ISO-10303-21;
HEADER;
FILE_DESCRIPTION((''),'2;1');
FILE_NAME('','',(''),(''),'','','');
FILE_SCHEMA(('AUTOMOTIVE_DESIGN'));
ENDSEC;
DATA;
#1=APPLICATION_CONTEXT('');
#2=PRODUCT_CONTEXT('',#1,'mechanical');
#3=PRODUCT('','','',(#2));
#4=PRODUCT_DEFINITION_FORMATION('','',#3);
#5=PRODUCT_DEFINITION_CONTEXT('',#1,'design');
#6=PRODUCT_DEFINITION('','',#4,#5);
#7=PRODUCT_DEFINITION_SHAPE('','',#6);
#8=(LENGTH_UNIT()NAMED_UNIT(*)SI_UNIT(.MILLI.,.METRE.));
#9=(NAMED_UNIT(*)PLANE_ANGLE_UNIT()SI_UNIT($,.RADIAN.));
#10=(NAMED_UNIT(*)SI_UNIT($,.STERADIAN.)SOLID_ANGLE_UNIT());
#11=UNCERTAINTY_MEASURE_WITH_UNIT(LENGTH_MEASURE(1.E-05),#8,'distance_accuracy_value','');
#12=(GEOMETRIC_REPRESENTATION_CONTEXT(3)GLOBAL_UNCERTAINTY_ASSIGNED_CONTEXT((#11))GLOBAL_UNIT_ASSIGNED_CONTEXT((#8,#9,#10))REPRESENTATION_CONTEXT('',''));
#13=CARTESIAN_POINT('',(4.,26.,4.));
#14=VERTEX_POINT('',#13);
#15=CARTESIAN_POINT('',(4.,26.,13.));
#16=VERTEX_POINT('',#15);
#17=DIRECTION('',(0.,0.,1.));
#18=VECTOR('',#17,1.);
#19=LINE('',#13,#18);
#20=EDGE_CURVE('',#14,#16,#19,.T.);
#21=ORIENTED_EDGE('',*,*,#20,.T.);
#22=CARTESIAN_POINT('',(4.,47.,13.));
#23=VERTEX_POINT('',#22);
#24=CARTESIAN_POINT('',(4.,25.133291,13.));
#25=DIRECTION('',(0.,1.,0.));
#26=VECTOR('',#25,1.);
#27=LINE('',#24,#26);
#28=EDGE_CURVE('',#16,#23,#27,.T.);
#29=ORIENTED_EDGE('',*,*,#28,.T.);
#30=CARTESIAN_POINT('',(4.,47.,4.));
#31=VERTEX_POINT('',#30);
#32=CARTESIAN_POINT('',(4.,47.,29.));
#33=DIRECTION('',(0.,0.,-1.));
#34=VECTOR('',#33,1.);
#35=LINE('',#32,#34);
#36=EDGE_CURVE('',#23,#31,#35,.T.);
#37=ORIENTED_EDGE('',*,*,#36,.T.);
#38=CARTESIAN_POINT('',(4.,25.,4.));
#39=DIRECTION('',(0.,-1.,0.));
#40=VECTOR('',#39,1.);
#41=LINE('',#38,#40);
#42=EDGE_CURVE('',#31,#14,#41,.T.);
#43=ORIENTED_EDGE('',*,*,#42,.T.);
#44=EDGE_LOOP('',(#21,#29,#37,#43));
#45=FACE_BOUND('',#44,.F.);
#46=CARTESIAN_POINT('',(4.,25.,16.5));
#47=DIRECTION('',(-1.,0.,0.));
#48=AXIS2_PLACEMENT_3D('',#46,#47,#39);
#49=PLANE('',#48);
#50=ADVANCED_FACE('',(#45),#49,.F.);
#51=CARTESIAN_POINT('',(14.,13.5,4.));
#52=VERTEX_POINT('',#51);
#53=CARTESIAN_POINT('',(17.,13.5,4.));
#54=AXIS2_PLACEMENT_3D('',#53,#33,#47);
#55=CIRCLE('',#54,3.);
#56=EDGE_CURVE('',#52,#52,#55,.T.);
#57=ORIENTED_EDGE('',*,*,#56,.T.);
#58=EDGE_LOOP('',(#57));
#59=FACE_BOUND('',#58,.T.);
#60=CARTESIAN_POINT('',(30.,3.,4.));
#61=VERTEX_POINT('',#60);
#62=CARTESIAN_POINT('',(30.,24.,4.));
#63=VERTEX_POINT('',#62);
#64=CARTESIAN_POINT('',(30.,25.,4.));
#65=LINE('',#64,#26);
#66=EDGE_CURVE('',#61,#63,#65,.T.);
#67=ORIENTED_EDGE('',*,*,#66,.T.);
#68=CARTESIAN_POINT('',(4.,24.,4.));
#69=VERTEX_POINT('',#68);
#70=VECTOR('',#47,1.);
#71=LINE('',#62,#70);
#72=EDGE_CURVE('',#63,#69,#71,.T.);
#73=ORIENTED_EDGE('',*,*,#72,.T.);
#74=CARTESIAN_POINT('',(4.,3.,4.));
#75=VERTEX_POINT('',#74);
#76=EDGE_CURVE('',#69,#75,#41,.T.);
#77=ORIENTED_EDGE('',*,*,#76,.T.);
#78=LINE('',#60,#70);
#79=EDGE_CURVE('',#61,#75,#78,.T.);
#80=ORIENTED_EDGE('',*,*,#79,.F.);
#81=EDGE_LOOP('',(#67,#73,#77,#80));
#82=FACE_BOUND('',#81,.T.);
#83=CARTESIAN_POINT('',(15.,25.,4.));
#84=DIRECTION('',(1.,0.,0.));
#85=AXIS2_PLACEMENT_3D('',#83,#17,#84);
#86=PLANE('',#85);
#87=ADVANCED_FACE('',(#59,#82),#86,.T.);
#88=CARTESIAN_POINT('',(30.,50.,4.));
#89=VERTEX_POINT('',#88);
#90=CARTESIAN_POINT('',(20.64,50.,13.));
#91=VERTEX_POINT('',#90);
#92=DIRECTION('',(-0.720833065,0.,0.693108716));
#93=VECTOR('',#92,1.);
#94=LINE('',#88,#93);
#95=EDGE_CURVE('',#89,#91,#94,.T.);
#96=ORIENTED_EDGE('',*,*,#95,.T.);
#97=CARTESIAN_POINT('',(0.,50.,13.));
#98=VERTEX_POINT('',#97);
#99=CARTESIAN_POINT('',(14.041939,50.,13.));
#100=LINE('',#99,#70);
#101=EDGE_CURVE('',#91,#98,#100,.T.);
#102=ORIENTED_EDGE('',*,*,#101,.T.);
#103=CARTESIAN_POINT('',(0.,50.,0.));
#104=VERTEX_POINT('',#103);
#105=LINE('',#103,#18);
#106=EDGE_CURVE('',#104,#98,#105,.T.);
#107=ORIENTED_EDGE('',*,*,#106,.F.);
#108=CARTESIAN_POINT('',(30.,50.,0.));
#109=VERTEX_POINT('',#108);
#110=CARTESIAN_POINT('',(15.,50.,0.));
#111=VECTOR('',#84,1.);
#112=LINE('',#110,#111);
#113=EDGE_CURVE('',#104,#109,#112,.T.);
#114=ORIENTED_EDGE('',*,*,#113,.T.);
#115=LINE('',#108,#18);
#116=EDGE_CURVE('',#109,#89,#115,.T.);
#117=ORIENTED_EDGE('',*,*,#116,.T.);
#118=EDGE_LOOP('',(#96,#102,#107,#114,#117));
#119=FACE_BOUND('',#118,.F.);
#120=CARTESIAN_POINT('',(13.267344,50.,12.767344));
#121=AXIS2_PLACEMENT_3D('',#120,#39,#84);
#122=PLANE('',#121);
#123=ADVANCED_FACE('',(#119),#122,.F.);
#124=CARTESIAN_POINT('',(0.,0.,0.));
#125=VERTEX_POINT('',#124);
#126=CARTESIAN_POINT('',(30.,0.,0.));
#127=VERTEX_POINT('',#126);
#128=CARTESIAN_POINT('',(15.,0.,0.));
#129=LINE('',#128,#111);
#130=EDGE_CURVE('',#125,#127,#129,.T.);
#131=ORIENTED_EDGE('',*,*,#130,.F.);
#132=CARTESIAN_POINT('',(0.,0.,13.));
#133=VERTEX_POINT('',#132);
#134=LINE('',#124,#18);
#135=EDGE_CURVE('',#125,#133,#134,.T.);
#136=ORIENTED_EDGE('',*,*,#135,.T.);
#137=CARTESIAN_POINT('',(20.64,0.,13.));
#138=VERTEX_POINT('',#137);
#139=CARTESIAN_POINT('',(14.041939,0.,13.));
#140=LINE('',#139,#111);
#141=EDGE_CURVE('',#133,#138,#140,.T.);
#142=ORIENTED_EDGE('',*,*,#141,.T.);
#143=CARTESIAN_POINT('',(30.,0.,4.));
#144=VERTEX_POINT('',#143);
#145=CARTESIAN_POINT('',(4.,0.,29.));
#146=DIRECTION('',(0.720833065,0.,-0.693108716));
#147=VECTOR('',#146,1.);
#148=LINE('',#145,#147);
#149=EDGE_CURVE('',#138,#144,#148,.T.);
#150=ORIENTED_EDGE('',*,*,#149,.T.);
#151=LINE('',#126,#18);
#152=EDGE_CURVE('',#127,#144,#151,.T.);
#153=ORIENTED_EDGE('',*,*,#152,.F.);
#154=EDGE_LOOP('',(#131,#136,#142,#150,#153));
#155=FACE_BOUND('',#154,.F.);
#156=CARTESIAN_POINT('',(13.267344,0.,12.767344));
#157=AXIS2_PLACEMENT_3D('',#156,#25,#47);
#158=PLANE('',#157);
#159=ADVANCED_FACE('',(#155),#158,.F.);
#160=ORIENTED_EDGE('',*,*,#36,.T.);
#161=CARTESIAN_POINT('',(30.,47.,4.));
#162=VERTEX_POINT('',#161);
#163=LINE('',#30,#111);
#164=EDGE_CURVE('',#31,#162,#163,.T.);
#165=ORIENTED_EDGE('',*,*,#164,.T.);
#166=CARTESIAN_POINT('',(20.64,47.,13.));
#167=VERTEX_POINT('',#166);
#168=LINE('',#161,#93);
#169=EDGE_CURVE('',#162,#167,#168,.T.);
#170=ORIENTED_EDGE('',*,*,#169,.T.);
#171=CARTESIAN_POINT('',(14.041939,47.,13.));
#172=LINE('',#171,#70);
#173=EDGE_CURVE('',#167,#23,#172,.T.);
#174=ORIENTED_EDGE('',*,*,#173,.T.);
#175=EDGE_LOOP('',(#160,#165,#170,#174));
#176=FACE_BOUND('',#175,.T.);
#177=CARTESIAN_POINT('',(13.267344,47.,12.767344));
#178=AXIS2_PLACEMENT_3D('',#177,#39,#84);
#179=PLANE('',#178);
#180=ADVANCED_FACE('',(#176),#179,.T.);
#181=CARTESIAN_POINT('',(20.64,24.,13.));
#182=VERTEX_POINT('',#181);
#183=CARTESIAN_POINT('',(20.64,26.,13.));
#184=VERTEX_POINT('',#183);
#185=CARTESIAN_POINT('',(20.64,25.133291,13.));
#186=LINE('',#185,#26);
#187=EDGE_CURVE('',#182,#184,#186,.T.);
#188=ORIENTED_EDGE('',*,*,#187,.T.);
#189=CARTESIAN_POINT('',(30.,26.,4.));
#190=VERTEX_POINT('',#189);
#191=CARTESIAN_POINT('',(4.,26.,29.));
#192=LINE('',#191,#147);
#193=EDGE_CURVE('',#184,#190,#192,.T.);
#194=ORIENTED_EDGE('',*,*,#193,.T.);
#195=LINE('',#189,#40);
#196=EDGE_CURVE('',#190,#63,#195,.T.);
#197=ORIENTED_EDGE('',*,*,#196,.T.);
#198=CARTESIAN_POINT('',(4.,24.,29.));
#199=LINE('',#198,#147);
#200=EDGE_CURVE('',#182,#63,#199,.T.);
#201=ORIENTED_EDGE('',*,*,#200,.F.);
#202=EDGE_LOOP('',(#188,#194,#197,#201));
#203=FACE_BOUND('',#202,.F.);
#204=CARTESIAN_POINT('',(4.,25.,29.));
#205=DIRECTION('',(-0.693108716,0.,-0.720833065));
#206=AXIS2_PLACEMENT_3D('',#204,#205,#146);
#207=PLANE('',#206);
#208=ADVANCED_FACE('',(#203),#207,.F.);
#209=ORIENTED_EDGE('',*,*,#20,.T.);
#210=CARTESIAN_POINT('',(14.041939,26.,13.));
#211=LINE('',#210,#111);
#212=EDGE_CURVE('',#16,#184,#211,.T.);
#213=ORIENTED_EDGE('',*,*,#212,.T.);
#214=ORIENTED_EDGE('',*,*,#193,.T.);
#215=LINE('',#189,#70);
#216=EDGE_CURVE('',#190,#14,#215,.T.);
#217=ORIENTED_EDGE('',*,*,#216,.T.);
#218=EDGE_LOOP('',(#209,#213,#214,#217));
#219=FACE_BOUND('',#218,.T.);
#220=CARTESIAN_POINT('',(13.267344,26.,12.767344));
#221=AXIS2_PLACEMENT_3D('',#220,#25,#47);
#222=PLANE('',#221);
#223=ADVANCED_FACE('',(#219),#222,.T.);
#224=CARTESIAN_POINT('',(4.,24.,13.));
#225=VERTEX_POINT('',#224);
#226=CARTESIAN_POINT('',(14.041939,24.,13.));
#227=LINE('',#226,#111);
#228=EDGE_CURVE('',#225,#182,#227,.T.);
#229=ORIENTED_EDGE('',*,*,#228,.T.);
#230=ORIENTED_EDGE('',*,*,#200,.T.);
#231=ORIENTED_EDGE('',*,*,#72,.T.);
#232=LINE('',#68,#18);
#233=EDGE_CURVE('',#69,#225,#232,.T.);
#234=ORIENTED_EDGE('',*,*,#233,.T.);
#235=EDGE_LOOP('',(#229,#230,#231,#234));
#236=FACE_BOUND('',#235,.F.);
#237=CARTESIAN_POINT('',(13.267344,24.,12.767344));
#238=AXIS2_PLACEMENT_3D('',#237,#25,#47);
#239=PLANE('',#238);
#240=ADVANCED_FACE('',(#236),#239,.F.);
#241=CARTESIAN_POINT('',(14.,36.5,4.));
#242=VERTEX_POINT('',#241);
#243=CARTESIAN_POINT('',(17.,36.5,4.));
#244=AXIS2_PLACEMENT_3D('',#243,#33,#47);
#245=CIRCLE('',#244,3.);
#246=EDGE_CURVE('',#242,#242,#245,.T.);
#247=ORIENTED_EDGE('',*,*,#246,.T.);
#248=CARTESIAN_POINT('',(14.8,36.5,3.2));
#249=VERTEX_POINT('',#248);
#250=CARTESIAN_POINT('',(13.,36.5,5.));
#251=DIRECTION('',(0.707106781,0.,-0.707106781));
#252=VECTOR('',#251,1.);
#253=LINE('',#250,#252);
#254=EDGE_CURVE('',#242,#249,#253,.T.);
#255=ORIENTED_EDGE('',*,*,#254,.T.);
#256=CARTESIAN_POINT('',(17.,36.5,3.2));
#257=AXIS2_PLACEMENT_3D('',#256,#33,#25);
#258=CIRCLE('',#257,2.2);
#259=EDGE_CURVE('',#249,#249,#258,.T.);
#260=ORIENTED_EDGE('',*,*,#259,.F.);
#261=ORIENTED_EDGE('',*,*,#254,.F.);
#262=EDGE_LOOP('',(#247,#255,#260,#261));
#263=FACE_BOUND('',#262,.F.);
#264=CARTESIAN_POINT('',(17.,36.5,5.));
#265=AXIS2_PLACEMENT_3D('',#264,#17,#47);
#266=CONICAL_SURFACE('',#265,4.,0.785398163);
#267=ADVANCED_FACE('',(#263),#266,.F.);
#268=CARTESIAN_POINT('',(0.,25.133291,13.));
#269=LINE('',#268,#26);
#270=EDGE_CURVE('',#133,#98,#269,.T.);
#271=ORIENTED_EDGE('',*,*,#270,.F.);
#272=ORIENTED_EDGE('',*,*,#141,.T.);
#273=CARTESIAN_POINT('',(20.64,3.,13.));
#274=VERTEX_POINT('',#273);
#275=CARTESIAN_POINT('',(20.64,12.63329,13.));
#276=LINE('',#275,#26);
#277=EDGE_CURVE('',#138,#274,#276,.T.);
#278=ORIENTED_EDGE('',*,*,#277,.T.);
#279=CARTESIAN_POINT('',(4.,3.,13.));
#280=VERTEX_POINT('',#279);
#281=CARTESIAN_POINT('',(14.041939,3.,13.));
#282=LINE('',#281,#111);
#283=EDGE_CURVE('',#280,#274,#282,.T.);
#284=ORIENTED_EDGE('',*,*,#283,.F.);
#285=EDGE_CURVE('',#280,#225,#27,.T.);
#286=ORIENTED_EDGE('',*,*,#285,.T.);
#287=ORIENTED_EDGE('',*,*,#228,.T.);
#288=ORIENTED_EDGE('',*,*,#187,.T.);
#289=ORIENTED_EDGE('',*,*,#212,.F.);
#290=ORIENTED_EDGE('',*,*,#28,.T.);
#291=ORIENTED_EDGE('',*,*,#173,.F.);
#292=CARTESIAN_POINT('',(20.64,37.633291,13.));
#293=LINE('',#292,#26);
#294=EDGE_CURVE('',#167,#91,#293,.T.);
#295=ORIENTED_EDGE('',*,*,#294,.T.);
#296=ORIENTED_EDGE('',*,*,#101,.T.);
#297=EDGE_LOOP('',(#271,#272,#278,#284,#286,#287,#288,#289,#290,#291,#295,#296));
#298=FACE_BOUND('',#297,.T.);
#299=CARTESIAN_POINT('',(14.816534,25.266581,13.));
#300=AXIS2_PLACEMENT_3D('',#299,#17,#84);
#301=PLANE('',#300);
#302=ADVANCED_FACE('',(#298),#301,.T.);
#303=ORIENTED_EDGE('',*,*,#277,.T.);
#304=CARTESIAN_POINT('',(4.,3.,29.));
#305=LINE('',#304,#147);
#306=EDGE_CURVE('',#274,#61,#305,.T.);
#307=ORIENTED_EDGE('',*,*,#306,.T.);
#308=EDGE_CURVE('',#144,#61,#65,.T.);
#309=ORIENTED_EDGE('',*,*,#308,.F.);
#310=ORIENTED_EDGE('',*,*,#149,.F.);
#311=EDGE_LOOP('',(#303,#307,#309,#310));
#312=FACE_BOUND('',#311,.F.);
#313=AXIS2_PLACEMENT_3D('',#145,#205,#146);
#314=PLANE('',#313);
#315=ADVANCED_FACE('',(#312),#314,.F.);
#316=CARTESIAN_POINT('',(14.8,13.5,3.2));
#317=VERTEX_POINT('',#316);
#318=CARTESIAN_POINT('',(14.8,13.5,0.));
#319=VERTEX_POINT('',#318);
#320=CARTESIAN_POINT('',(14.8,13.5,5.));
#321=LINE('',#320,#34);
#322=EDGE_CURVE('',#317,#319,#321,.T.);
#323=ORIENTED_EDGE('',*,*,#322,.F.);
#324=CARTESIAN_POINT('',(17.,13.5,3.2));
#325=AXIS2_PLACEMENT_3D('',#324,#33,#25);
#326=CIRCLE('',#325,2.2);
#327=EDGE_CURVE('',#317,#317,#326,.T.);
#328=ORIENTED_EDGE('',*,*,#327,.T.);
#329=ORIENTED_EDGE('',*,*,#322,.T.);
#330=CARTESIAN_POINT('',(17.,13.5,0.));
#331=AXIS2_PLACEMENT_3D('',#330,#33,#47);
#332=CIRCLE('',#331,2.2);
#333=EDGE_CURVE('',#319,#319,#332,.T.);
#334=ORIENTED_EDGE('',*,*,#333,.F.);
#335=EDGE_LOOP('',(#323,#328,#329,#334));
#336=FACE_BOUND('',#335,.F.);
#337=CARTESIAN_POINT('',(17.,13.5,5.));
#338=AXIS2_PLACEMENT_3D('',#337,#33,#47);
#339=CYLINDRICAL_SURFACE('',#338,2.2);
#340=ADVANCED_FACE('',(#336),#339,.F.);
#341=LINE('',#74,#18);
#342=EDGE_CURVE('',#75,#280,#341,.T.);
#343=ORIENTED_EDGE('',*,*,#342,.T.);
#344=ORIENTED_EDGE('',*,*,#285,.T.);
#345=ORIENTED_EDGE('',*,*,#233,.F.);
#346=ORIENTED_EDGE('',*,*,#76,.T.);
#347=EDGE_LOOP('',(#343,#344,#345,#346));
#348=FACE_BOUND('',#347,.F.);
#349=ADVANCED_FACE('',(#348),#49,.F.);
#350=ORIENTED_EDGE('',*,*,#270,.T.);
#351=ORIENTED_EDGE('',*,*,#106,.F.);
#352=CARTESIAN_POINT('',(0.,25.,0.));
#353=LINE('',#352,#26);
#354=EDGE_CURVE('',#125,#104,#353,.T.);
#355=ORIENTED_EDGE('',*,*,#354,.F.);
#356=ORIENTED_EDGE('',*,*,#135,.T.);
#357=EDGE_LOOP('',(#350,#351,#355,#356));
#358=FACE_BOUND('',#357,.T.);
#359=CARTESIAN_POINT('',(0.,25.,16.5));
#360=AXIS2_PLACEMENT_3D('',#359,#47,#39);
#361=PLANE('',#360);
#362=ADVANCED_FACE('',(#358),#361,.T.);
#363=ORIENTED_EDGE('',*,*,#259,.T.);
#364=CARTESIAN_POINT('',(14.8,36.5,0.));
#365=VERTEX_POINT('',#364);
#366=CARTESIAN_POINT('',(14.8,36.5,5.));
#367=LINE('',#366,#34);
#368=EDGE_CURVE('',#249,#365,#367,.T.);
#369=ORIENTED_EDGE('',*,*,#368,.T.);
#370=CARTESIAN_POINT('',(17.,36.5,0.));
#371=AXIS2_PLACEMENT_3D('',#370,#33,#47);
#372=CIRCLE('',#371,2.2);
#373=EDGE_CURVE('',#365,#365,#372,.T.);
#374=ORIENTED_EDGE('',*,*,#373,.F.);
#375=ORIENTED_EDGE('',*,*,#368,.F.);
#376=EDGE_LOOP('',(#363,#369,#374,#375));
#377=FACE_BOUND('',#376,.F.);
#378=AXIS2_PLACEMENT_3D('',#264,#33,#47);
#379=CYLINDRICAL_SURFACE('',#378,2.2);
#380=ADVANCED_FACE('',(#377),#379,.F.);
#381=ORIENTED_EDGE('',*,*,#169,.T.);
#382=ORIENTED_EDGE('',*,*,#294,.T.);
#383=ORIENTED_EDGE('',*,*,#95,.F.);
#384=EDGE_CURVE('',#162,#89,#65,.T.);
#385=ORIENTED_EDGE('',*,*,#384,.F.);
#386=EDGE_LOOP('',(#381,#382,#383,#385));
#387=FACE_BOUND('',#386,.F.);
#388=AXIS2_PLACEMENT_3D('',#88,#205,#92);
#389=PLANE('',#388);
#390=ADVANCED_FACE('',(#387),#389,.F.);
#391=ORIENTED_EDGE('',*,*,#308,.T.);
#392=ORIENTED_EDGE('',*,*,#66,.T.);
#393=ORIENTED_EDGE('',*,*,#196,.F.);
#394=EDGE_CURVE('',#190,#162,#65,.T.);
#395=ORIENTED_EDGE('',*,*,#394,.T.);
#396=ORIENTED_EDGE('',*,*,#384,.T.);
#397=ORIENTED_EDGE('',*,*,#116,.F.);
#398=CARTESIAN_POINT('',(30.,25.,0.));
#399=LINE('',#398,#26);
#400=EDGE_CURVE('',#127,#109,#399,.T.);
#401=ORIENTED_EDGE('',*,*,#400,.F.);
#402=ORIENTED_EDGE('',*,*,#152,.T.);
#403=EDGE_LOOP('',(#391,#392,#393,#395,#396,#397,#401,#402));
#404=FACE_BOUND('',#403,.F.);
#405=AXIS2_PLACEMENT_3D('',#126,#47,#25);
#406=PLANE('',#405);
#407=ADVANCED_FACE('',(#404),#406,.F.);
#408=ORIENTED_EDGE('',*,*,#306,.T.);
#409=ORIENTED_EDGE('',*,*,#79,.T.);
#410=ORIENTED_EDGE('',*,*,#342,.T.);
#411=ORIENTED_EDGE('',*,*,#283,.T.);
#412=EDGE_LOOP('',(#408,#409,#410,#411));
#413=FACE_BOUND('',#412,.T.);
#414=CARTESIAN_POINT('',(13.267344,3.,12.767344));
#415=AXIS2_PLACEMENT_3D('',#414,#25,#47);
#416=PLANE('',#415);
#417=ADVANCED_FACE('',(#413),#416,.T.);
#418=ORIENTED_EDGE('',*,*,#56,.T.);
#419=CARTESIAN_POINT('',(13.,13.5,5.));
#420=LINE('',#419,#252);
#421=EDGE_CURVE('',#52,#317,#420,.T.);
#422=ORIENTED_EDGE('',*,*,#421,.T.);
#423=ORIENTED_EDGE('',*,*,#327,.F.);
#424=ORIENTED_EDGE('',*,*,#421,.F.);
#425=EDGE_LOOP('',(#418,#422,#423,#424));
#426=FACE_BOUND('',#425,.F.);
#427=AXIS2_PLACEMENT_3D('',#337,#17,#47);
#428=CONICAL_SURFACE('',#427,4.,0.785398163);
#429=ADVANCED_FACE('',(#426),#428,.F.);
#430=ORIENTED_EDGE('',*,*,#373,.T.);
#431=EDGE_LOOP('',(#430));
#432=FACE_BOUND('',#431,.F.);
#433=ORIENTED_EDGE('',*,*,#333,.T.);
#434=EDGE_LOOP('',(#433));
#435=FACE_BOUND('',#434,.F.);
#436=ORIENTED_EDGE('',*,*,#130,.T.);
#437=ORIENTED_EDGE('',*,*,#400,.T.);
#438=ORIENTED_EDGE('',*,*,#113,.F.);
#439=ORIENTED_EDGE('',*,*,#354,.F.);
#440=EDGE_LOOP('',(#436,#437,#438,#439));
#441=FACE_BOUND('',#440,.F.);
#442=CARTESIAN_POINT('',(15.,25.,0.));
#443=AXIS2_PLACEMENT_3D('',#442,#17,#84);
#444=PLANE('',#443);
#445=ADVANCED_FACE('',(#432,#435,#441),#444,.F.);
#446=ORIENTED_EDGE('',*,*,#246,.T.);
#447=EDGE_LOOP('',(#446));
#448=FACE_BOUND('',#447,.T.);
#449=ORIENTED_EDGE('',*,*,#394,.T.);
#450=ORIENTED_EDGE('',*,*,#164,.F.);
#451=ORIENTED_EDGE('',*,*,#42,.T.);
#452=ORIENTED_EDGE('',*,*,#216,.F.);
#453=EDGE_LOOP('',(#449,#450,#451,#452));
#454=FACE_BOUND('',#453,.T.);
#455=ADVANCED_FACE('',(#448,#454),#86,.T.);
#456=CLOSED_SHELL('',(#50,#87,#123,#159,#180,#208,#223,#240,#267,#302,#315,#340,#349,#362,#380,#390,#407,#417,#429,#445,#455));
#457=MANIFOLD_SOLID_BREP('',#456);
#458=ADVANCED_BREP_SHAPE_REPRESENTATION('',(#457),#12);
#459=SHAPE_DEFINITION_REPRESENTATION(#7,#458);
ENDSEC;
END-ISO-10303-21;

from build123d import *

# Parameters (mm, degrees)
SKETCH011_W         = 30
SKETCH011_H         = 50
PAD009_DEPTH        = 4
SKETCH007_W         = 50
SKETCH007_H         = 25
PAD006_DEPTH        = 4
PAD007_DEPTH        = 3
PAD005_DEPTH        = 1
PAD008_DEPTH        = 3
HOLE001_D           = 4.4
HOLE001_DEPTH       = 25
HOLE001_CSINK_D     = 8
HOLE001_CSINK_ANGLE = 90
SKETCH012_W         = 40.900608
SKETCH012_H         = 56.513194
POCKET_DEPTH        = 25


with BuildPart() as part:
    # Sketch011 → Pad009 (new body)
    with BuildSketch(Plane.XY):
        with Locations((15, 25)):
            Rectangle(SKETCH011_W, SKETCH011_H)
    extrude(amount=PAD009_DEPTH)

    # Sketch007 → Pad006 (join)
    with BuildSketch(Plane(origin=(0, 0, 0), x_dir=(0, -1, 0), z_dir=(-1, 0, 0))):
        with Locations((-25, 16.5)):
            Rectangle(SKETCH007_W, SKETCH007_H)
    extrude(amount=-PAD006_DEPTH)

    # Sketch008 → Pad007 (join)
    with BuildSketch(Plane.XZ):
        Polygon((4, 4), (4, 29), (30, 4), align=None)
    extrude(amount=-PAD007_DEPTH)

    # Sketch009 → Pad005 (join, symmetric)
    with BuildSketch(Plane.XZ.offset(-25)):
        Polygon((4, 4), (4, 29), (30, 4), align=None)
    extrude(amount=PAD005_DEPTH, both=True)

    # Sketch006 → Pad008 (join)
    with BuildSketch(Plane.XZ.offset(-50)):
        Polygon((4, 29), (4, 4), (30, 4), align=None)
    extrude(amount=PAD008_DEPTH)

    # Hole001
    with Locations(Plane.XY.offset(5)):
        with Locations((17, 36.5), (17, 13.5)):
            CounterSinkHole(HOLE001_D / 2, HOLE001_CSINK_D / 2, depth=HOLE001_DEPTH, counter_sink_angle=HOLE001_CSINK_ANGLE)

    # Sketch012 → Pocket (cut)
    with BuildSketch(Plane.XY.offset(13)):
        with Locations((14.816534, 25.266581)):
            Rectangle(SKETCH012_W, SKETCH012_H)
    extrude(amount=POCKET_DEPTH, mode=Mode.SUBTRACT)


solid = part.part
